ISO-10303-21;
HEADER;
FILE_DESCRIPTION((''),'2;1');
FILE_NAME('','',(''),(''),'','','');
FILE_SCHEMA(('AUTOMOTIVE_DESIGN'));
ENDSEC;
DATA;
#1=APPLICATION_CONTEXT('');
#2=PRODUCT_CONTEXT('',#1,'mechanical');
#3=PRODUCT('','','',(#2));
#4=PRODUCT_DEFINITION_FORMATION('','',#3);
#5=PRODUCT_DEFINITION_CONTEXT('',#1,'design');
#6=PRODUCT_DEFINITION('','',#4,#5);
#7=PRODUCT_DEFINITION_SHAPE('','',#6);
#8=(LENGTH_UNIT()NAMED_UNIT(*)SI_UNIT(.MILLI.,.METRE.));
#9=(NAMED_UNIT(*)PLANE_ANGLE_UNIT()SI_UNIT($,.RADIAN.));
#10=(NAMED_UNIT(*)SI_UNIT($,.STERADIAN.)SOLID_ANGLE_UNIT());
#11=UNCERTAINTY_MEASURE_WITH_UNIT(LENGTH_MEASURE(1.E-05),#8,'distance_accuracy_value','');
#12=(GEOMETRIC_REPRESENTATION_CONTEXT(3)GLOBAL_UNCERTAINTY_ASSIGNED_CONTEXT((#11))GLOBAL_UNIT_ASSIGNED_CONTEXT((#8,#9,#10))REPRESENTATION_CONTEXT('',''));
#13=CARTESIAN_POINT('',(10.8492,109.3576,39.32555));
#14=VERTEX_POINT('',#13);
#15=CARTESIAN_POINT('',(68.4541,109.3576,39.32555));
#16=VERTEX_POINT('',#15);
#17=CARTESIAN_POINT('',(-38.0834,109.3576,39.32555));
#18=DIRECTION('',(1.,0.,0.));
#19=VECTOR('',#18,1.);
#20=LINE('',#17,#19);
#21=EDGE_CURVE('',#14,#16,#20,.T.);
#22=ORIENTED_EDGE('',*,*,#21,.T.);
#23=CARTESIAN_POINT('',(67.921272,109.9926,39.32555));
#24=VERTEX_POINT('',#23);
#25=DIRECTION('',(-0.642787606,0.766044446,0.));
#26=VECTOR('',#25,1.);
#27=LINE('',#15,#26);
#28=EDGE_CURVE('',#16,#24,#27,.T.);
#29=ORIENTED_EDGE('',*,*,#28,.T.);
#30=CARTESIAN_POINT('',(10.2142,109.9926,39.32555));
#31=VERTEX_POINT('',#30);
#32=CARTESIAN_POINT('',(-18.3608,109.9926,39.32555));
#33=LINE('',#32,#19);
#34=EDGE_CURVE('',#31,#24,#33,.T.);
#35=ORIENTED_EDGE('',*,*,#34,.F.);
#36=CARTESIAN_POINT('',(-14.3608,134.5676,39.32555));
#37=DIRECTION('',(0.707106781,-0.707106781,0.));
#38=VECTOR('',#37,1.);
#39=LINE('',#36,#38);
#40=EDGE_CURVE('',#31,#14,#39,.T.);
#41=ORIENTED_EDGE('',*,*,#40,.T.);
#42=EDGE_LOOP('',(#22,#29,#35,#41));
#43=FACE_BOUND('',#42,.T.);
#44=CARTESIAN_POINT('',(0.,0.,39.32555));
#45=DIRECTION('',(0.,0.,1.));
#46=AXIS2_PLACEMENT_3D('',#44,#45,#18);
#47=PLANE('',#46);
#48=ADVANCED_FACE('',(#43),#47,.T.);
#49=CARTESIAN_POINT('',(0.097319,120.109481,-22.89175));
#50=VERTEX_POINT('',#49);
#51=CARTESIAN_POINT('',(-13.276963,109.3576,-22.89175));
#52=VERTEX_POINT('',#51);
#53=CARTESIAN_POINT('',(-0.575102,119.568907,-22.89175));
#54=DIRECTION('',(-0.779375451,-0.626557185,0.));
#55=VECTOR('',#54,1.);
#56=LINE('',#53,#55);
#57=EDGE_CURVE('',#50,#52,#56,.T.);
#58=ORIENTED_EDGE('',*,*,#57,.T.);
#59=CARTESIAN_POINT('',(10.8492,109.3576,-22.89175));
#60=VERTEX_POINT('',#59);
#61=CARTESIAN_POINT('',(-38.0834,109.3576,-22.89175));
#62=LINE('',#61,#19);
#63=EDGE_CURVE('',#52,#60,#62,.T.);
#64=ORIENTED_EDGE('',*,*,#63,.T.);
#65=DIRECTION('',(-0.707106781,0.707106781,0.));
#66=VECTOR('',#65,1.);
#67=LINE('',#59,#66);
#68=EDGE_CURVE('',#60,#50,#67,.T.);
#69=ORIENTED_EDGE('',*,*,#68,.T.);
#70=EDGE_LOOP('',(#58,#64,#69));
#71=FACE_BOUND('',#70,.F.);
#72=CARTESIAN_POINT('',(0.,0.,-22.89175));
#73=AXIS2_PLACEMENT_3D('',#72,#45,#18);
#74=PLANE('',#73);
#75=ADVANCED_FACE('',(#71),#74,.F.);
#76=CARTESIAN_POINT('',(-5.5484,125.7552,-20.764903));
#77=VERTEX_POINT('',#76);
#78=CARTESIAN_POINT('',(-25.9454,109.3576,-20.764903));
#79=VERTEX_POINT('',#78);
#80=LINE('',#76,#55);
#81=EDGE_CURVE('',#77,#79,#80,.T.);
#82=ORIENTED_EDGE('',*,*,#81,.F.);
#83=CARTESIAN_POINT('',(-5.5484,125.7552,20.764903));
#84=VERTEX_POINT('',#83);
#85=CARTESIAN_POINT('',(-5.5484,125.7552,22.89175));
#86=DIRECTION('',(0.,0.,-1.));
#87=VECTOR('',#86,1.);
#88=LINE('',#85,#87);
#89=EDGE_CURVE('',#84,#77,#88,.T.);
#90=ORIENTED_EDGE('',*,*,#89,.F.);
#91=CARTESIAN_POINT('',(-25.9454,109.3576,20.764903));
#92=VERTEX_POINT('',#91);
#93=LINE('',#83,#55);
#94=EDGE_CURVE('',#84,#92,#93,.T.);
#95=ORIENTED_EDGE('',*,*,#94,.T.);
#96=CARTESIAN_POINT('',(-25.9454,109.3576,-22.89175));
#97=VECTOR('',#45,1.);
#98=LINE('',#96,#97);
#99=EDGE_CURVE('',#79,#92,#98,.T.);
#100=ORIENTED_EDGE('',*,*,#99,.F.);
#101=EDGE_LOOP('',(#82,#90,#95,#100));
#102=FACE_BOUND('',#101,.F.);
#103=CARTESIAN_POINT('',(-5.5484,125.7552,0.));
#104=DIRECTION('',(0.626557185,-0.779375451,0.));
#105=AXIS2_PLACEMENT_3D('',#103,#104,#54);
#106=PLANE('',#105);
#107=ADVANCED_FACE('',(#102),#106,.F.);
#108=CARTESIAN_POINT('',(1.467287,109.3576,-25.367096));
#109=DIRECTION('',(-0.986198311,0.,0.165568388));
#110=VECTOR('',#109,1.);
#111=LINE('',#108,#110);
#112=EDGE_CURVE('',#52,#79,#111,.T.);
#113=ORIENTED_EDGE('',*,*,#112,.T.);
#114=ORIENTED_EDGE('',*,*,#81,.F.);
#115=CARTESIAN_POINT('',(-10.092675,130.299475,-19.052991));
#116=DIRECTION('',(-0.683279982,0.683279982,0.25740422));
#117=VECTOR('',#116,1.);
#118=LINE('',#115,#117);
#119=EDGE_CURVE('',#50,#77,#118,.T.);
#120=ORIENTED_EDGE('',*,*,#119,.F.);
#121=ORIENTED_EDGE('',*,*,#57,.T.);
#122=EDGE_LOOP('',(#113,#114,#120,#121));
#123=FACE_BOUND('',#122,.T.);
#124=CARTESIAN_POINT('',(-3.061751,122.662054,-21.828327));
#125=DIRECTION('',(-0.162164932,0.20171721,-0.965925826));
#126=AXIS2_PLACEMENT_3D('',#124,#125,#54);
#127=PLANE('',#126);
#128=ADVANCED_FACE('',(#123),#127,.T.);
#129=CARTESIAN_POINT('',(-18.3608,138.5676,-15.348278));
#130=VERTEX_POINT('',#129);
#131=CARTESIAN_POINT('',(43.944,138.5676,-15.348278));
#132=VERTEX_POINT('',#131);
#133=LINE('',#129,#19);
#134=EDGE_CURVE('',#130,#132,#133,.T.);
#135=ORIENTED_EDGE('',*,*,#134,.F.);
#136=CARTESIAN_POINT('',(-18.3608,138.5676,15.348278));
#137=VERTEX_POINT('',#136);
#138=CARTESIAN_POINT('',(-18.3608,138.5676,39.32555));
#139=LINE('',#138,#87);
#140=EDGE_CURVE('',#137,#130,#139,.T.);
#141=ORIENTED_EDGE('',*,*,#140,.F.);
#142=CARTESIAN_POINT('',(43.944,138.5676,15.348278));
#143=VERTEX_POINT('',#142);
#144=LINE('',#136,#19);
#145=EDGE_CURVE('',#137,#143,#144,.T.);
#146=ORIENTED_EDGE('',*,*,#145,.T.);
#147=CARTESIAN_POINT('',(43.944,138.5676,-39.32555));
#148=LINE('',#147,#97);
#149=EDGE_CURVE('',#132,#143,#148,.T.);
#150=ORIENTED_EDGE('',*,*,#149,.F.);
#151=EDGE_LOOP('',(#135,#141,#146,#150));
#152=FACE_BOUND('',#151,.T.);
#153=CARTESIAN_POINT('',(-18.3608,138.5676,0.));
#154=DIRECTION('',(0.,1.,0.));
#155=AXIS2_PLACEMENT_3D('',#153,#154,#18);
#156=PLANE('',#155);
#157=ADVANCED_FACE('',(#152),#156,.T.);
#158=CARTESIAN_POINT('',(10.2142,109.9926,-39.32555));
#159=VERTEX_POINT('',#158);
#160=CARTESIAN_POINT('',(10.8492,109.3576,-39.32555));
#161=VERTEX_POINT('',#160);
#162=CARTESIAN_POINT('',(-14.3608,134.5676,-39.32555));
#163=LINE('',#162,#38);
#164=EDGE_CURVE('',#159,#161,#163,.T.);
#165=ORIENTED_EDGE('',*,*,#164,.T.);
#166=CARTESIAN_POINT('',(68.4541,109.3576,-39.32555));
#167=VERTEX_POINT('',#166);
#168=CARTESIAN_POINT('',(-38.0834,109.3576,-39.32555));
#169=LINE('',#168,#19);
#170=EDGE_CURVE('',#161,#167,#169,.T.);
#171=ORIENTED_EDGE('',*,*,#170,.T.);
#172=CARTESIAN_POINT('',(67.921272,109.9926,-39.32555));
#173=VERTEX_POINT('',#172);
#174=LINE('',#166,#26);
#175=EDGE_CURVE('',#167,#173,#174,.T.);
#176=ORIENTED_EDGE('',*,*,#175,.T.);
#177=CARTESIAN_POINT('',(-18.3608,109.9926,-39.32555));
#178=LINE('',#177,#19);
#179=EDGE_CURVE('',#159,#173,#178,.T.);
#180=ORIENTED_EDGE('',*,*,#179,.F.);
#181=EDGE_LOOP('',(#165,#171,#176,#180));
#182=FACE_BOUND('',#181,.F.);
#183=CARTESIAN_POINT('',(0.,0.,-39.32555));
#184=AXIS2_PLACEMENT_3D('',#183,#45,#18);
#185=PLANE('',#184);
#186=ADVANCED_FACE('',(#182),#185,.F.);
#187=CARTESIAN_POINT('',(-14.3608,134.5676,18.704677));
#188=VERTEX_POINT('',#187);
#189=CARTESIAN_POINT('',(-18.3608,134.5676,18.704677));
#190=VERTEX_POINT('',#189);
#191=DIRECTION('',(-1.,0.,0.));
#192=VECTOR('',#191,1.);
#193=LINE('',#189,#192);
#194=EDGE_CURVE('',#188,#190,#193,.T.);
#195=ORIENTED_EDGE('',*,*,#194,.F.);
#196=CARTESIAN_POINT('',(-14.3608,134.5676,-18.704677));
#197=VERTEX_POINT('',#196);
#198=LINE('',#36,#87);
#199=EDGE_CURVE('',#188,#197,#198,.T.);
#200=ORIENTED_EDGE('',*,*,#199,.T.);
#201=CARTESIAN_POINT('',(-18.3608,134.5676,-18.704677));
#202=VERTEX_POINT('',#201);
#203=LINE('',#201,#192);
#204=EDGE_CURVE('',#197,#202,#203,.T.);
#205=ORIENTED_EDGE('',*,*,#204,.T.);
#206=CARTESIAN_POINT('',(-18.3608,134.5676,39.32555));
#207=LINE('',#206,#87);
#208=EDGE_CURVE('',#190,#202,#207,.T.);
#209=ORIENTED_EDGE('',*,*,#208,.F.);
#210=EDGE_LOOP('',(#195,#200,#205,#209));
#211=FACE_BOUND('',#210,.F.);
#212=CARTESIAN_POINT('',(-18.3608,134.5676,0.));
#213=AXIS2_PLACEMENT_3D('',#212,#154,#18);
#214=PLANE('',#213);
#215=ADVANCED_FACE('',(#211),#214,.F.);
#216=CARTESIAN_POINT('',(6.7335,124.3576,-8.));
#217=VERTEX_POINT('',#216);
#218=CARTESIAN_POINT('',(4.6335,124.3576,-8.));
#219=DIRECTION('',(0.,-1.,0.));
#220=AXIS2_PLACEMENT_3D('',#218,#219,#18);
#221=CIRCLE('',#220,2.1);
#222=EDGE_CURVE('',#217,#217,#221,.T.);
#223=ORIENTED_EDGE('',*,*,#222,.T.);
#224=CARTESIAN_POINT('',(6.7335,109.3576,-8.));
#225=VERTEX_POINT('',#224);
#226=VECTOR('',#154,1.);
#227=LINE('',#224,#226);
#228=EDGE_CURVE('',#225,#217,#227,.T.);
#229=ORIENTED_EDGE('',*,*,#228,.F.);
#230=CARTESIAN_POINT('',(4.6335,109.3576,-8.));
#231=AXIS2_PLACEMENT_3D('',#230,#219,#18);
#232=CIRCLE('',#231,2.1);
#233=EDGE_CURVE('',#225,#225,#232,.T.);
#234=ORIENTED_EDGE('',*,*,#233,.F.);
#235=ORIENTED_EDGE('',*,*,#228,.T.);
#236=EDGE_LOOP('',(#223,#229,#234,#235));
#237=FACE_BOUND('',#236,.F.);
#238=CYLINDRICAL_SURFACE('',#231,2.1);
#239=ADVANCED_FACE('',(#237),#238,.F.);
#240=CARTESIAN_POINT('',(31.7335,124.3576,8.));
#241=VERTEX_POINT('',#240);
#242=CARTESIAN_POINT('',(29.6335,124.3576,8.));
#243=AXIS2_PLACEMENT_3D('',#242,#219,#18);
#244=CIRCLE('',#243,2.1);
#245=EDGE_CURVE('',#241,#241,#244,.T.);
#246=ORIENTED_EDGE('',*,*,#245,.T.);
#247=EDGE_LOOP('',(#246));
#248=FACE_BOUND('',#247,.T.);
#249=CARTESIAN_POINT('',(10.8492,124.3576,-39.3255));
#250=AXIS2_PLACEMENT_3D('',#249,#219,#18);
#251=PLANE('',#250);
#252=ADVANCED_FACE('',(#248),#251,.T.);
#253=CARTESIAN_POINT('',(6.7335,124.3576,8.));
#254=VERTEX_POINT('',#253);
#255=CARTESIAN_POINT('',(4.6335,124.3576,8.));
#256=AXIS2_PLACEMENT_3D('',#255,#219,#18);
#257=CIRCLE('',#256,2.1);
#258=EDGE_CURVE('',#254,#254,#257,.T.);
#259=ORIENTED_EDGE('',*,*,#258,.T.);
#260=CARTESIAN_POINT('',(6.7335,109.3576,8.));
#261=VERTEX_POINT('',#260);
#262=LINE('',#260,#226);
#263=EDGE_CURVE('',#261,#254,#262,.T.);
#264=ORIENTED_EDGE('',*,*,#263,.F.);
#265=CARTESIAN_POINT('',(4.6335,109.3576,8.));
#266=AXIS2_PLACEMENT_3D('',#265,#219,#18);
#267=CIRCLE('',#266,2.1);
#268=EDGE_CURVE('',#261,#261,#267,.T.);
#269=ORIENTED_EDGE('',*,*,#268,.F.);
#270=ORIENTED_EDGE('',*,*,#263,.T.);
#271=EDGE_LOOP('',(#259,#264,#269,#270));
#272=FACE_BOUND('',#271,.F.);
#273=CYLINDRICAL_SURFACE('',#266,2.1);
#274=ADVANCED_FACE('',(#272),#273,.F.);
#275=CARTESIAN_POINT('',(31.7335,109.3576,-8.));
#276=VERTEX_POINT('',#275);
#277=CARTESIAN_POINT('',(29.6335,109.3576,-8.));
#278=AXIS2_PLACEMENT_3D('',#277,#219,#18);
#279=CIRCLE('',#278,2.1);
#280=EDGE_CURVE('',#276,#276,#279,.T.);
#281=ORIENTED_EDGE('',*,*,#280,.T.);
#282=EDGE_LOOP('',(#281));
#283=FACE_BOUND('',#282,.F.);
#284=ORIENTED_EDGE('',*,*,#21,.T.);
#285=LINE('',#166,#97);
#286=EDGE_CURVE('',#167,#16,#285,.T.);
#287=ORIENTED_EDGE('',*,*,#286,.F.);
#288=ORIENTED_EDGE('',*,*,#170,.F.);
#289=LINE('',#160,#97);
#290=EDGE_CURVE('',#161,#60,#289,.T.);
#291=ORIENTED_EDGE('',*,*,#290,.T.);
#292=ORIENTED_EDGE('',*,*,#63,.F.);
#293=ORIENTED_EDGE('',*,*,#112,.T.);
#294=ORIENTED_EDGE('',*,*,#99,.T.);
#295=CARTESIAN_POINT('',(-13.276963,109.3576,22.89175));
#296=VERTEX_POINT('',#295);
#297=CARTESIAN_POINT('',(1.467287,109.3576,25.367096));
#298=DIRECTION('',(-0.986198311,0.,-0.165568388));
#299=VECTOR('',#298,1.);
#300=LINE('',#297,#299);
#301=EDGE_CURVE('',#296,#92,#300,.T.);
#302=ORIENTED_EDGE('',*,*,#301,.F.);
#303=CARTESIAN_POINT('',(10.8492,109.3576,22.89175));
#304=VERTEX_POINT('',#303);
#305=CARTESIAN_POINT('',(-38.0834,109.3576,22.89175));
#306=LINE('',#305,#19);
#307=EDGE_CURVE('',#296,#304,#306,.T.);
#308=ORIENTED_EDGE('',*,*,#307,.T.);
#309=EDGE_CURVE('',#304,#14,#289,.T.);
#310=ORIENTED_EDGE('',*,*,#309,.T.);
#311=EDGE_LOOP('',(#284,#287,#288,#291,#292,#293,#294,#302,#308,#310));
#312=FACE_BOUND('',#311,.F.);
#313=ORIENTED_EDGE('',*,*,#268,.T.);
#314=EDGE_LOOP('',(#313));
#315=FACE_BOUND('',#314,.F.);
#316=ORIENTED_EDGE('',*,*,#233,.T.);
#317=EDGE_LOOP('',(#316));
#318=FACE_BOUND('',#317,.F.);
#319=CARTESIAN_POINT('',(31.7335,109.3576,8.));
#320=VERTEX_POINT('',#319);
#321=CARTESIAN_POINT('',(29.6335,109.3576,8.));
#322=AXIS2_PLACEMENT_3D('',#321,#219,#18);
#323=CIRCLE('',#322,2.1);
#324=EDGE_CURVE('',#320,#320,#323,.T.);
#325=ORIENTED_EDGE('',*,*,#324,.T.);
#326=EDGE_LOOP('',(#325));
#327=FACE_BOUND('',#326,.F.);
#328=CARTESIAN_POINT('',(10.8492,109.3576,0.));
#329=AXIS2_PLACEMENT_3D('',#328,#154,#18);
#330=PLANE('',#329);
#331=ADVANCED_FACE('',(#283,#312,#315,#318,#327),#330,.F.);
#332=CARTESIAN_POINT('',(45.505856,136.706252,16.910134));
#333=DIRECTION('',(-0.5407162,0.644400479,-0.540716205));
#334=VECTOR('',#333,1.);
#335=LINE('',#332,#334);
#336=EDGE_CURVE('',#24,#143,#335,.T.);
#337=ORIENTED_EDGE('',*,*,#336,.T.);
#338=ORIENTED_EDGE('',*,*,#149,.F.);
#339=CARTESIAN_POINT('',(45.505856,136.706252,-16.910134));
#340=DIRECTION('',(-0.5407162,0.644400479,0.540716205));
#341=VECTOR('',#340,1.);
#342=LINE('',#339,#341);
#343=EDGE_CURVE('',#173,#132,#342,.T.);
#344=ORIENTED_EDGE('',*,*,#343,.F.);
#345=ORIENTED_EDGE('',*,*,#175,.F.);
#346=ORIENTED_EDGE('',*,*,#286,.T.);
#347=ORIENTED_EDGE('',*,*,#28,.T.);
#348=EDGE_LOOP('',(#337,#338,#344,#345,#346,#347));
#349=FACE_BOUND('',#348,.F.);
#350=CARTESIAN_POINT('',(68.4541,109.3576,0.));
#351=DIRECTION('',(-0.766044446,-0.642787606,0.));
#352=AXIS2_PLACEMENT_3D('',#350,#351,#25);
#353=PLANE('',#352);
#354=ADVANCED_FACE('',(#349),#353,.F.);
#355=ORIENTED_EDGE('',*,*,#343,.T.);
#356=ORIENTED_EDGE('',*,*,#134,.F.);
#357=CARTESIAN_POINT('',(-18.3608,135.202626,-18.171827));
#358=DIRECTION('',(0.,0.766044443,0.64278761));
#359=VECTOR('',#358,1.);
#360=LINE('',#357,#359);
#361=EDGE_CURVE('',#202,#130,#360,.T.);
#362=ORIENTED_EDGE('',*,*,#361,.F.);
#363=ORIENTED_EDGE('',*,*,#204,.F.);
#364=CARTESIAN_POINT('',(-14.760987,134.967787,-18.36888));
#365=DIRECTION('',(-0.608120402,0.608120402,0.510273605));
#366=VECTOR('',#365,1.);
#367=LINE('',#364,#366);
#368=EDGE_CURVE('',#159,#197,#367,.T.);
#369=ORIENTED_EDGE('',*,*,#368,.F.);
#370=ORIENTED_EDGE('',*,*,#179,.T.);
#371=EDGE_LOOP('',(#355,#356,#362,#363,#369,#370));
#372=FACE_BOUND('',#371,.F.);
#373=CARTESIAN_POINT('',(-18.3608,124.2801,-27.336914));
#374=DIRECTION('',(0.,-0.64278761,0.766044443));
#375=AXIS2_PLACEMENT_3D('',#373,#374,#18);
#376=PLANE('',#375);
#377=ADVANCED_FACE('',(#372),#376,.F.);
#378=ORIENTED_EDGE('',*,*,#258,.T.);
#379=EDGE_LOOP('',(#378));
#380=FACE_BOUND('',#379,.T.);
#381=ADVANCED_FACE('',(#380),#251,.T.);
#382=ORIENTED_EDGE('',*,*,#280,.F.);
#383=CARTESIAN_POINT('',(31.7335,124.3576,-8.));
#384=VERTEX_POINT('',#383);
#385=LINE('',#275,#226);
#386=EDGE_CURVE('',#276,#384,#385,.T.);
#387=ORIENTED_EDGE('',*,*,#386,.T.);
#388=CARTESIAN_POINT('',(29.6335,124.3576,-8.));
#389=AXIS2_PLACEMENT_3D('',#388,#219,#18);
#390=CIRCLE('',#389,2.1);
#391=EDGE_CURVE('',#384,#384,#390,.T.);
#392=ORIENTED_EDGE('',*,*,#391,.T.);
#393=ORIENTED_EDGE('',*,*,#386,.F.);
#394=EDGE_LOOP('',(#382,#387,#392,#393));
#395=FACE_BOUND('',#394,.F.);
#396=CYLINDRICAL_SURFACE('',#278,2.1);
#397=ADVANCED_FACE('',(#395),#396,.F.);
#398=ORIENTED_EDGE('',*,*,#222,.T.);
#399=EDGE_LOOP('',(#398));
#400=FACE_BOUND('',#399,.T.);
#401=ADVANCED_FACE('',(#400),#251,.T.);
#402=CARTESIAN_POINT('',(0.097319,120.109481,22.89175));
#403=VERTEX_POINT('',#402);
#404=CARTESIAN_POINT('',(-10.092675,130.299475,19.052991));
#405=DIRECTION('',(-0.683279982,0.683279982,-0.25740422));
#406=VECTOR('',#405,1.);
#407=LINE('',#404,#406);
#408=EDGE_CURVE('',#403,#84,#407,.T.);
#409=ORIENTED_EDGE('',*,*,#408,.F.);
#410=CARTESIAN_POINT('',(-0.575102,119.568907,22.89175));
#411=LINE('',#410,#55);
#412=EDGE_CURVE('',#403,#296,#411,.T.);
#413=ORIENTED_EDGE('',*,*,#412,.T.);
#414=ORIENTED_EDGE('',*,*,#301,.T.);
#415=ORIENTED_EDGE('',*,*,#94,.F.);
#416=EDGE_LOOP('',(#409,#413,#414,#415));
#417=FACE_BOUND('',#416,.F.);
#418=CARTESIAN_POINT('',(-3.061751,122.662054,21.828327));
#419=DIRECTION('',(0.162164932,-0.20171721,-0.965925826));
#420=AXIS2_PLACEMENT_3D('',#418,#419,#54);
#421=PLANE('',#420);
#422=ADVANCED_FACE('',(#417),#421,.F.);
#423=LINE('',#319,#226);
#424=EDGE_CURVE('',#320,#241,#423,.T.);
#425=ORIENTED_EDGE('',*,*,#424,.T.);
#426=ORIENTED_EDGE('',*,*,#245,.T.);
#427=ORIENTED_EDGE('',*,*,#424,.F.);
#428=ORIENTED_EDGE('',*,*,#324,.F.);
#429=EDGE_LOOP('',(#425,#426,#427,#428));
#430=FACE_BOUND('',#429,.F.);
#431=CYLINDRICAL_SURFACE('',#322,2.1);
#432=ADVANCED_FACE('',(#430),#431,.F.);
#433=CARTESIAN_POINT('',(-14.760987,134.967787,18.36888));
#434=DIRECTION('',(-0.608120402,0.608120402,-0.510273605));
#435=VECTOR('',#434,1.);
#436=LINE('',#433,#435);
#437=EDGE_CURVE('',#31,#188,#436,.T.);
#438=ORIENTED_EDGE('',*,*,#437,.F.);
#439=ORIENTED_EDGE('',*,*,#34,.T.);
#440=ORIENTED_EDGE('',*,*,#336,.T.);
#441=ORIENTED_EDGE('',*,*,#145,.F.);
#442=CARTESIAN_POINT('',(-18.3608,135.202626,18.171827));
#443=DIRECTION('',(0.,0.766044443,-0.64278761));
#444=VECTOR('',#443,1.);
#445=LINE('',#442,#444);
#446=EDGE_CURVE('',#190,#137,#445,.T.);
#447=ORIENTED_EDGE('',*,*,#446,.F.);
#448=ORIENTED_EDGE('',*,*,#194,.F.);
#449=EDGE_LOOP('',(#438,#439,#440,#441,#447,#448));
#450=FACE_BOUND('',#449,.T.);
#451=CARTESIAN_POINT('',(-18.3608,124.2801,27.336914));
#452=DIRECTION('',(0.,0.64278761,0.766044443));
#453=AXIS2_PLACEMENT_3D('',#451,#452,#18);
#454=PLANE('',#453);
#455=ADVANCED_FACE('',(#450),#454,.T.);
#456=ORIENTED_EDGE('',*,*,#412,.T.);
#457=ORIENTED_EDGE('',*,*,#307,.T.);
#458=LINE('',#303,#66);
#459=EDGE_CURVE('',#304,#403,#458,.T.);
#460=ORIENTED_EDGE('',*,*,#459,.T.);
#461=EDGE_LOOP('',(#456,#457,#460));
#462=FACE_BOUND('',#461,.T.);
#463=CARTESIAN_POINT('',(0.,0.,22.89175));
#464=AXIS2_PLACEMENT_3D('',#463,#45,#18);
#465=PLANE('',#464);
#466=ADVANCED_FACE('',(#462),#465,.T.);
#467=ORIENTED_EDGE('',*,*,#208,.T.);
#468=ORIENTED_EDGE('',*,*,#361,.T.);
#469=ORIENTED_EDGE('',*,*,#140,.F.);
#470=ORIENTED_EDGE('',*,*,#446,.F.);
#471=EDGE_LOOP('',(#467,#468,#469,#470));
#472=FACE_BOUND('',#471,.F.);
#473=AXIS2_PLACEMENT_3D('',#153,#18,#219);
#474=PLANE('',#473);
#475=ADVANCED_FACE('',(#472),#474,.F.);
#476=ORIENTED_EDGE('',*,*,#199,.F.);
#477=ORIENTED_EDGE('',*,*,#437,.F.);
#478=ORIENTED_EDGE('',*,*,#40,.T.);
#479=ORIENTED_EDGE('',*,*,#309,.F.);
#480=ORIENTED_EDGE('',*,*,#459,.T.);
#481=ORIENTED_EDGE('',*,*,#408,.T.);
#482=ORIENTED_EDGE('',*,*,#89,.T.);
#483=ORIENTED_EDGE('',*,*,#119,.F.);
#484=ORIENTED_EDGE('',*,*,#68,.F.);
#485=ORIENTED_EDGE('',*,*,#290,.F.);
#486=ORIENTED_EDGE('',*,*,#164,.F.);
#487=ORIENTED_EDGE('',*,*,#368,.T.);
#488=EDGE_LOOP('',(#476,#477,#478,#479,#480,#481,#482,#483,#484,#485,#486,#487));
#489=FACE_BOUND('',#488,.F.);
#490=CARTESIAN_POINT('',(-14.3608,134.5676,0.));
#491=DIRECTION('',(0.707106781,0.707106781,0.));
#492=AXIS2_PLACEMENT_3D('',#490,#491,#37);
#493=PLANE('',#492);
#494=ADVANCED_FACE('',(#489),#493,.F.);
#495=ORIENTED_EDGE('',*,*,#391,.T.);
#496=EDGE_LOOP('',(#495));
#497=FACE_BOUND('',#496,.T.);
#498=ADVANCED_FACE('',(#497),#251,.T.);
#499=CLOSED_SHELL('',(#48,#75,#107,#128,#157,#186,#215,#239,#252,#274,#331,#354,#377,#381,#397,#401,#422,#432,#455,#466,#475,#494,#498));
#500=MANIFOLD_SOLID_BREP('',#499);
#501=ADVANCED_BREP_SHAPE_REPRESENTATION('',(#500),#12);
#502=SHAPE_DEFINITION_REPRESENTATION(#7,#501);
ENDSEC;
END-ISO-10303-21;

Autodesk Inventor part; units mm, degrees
ref_plane "YZ Plane" through (0, 0, 0) normal (1, 0, 0) x (0, 1, 0)
ref_plane "XZ Plane" through (0, 0, 0) normal (0, 1, 0) x (-1, 0, 0)
ref_plane "XY Plane" through (0, 0, 0) normal (0, 0, 1) x (1, 0, 0)
ref_plane "Work Plane1" through (0, 0, 0) normal (0, 0, 1) x (1, 0, 0)
sketch "Sketch1" plane through (0, 0, 0) normal (0, 0, 1) x (1, 0, 0)
  line L0 (-38.0834, 109.3576) -> (68.9757, 109.3576) projected
  line L1 (-38.0834, 138.5676) -> (68.9757, 138.5676)
  line L2 (68.4541, 109.3576) -> (43.944, 138.5676)
  line L3 (68.4541, 109.3576) -> (106.585, 109.3576) construction
  line L4 (-18.3608, 138.5676) -> (-18.3608, 134.5676)
  line L5 (-18.3608, 134.5676) -> (-14.3608, 134.5676)
  line L6 (-14.3608, 134.5676) -> (10.8492, 109.3576)
  point P0 (0, 0)
  dimension "d0" = 29.21
  dimension "d1" = 130
  dimension "d2" = 4
  dimension "d3" = 4
extrude "Extrusion1" add sketch "Sketch1" along normal mid plane 78.6511
sketch "Sketch2" plane through (0, 0, 0) normal (0, 0, 1) x (1, 0, 0)
  line L0 (-38.0834, 109.3576) -> (68.9757, 109.3576) projected
  line L1 (10.8492, 109.3576) -> (-14.3608, 134.5676) projected
  line L2 (-5.5484, 125.7552) -> (-25.9454, 109.3576)
  point P0 (0, 0)
extrude "Extrusion2" add sketch "Sketch2" along normal mid plane 45.7835
chamfer "Chamfer1" distance 28.575 angle 40 1 edges at (12.7916, 138.5676, -39.3255) measured on face at (41.0824, 119.0943, -39.3256)
chamfer "Chamfer2" distance 28.575 angle 40 1 edges at (12.7916, 138.5676, 39.3255) measured on face at (41.0824, 119.0943, 39.3256)
chamfer "Chamfer3" distance 7.9375 angle 15 1 edges at (-15.7469, 117.5564, -22.8918) measured on face at (-6.8815, 114.8235, -22.8918)
chamfer "Chamfer4" distance 7.9375 angle 15 1 edges at (-15.7469, 117.5564, 22.8918) measured on face at (-6.8815, 114.8235, 22.8918)
sketch "Sketch3" plane through (10.8492, 109.3576, -39.3255) normal (0, -1, 0) x (1, 0, 0)
  circle A0 centre (18.7843, 31.3255) radius 2.1 projected
  circle A1 centre (-6.2157, 31.3255) radius 2.1 projected
  circle A2 centre (-6.2157, 47.3255) radius 2.1 projected
  circle A3 centre (18.7843, 47.3255) radius 2.1 projected
  point P0 (-10.8492, 39.3255)
extrude "Extrusion3" cut sketch "Sketch3" against normal blind 15
properties part number "Head_Fin"
